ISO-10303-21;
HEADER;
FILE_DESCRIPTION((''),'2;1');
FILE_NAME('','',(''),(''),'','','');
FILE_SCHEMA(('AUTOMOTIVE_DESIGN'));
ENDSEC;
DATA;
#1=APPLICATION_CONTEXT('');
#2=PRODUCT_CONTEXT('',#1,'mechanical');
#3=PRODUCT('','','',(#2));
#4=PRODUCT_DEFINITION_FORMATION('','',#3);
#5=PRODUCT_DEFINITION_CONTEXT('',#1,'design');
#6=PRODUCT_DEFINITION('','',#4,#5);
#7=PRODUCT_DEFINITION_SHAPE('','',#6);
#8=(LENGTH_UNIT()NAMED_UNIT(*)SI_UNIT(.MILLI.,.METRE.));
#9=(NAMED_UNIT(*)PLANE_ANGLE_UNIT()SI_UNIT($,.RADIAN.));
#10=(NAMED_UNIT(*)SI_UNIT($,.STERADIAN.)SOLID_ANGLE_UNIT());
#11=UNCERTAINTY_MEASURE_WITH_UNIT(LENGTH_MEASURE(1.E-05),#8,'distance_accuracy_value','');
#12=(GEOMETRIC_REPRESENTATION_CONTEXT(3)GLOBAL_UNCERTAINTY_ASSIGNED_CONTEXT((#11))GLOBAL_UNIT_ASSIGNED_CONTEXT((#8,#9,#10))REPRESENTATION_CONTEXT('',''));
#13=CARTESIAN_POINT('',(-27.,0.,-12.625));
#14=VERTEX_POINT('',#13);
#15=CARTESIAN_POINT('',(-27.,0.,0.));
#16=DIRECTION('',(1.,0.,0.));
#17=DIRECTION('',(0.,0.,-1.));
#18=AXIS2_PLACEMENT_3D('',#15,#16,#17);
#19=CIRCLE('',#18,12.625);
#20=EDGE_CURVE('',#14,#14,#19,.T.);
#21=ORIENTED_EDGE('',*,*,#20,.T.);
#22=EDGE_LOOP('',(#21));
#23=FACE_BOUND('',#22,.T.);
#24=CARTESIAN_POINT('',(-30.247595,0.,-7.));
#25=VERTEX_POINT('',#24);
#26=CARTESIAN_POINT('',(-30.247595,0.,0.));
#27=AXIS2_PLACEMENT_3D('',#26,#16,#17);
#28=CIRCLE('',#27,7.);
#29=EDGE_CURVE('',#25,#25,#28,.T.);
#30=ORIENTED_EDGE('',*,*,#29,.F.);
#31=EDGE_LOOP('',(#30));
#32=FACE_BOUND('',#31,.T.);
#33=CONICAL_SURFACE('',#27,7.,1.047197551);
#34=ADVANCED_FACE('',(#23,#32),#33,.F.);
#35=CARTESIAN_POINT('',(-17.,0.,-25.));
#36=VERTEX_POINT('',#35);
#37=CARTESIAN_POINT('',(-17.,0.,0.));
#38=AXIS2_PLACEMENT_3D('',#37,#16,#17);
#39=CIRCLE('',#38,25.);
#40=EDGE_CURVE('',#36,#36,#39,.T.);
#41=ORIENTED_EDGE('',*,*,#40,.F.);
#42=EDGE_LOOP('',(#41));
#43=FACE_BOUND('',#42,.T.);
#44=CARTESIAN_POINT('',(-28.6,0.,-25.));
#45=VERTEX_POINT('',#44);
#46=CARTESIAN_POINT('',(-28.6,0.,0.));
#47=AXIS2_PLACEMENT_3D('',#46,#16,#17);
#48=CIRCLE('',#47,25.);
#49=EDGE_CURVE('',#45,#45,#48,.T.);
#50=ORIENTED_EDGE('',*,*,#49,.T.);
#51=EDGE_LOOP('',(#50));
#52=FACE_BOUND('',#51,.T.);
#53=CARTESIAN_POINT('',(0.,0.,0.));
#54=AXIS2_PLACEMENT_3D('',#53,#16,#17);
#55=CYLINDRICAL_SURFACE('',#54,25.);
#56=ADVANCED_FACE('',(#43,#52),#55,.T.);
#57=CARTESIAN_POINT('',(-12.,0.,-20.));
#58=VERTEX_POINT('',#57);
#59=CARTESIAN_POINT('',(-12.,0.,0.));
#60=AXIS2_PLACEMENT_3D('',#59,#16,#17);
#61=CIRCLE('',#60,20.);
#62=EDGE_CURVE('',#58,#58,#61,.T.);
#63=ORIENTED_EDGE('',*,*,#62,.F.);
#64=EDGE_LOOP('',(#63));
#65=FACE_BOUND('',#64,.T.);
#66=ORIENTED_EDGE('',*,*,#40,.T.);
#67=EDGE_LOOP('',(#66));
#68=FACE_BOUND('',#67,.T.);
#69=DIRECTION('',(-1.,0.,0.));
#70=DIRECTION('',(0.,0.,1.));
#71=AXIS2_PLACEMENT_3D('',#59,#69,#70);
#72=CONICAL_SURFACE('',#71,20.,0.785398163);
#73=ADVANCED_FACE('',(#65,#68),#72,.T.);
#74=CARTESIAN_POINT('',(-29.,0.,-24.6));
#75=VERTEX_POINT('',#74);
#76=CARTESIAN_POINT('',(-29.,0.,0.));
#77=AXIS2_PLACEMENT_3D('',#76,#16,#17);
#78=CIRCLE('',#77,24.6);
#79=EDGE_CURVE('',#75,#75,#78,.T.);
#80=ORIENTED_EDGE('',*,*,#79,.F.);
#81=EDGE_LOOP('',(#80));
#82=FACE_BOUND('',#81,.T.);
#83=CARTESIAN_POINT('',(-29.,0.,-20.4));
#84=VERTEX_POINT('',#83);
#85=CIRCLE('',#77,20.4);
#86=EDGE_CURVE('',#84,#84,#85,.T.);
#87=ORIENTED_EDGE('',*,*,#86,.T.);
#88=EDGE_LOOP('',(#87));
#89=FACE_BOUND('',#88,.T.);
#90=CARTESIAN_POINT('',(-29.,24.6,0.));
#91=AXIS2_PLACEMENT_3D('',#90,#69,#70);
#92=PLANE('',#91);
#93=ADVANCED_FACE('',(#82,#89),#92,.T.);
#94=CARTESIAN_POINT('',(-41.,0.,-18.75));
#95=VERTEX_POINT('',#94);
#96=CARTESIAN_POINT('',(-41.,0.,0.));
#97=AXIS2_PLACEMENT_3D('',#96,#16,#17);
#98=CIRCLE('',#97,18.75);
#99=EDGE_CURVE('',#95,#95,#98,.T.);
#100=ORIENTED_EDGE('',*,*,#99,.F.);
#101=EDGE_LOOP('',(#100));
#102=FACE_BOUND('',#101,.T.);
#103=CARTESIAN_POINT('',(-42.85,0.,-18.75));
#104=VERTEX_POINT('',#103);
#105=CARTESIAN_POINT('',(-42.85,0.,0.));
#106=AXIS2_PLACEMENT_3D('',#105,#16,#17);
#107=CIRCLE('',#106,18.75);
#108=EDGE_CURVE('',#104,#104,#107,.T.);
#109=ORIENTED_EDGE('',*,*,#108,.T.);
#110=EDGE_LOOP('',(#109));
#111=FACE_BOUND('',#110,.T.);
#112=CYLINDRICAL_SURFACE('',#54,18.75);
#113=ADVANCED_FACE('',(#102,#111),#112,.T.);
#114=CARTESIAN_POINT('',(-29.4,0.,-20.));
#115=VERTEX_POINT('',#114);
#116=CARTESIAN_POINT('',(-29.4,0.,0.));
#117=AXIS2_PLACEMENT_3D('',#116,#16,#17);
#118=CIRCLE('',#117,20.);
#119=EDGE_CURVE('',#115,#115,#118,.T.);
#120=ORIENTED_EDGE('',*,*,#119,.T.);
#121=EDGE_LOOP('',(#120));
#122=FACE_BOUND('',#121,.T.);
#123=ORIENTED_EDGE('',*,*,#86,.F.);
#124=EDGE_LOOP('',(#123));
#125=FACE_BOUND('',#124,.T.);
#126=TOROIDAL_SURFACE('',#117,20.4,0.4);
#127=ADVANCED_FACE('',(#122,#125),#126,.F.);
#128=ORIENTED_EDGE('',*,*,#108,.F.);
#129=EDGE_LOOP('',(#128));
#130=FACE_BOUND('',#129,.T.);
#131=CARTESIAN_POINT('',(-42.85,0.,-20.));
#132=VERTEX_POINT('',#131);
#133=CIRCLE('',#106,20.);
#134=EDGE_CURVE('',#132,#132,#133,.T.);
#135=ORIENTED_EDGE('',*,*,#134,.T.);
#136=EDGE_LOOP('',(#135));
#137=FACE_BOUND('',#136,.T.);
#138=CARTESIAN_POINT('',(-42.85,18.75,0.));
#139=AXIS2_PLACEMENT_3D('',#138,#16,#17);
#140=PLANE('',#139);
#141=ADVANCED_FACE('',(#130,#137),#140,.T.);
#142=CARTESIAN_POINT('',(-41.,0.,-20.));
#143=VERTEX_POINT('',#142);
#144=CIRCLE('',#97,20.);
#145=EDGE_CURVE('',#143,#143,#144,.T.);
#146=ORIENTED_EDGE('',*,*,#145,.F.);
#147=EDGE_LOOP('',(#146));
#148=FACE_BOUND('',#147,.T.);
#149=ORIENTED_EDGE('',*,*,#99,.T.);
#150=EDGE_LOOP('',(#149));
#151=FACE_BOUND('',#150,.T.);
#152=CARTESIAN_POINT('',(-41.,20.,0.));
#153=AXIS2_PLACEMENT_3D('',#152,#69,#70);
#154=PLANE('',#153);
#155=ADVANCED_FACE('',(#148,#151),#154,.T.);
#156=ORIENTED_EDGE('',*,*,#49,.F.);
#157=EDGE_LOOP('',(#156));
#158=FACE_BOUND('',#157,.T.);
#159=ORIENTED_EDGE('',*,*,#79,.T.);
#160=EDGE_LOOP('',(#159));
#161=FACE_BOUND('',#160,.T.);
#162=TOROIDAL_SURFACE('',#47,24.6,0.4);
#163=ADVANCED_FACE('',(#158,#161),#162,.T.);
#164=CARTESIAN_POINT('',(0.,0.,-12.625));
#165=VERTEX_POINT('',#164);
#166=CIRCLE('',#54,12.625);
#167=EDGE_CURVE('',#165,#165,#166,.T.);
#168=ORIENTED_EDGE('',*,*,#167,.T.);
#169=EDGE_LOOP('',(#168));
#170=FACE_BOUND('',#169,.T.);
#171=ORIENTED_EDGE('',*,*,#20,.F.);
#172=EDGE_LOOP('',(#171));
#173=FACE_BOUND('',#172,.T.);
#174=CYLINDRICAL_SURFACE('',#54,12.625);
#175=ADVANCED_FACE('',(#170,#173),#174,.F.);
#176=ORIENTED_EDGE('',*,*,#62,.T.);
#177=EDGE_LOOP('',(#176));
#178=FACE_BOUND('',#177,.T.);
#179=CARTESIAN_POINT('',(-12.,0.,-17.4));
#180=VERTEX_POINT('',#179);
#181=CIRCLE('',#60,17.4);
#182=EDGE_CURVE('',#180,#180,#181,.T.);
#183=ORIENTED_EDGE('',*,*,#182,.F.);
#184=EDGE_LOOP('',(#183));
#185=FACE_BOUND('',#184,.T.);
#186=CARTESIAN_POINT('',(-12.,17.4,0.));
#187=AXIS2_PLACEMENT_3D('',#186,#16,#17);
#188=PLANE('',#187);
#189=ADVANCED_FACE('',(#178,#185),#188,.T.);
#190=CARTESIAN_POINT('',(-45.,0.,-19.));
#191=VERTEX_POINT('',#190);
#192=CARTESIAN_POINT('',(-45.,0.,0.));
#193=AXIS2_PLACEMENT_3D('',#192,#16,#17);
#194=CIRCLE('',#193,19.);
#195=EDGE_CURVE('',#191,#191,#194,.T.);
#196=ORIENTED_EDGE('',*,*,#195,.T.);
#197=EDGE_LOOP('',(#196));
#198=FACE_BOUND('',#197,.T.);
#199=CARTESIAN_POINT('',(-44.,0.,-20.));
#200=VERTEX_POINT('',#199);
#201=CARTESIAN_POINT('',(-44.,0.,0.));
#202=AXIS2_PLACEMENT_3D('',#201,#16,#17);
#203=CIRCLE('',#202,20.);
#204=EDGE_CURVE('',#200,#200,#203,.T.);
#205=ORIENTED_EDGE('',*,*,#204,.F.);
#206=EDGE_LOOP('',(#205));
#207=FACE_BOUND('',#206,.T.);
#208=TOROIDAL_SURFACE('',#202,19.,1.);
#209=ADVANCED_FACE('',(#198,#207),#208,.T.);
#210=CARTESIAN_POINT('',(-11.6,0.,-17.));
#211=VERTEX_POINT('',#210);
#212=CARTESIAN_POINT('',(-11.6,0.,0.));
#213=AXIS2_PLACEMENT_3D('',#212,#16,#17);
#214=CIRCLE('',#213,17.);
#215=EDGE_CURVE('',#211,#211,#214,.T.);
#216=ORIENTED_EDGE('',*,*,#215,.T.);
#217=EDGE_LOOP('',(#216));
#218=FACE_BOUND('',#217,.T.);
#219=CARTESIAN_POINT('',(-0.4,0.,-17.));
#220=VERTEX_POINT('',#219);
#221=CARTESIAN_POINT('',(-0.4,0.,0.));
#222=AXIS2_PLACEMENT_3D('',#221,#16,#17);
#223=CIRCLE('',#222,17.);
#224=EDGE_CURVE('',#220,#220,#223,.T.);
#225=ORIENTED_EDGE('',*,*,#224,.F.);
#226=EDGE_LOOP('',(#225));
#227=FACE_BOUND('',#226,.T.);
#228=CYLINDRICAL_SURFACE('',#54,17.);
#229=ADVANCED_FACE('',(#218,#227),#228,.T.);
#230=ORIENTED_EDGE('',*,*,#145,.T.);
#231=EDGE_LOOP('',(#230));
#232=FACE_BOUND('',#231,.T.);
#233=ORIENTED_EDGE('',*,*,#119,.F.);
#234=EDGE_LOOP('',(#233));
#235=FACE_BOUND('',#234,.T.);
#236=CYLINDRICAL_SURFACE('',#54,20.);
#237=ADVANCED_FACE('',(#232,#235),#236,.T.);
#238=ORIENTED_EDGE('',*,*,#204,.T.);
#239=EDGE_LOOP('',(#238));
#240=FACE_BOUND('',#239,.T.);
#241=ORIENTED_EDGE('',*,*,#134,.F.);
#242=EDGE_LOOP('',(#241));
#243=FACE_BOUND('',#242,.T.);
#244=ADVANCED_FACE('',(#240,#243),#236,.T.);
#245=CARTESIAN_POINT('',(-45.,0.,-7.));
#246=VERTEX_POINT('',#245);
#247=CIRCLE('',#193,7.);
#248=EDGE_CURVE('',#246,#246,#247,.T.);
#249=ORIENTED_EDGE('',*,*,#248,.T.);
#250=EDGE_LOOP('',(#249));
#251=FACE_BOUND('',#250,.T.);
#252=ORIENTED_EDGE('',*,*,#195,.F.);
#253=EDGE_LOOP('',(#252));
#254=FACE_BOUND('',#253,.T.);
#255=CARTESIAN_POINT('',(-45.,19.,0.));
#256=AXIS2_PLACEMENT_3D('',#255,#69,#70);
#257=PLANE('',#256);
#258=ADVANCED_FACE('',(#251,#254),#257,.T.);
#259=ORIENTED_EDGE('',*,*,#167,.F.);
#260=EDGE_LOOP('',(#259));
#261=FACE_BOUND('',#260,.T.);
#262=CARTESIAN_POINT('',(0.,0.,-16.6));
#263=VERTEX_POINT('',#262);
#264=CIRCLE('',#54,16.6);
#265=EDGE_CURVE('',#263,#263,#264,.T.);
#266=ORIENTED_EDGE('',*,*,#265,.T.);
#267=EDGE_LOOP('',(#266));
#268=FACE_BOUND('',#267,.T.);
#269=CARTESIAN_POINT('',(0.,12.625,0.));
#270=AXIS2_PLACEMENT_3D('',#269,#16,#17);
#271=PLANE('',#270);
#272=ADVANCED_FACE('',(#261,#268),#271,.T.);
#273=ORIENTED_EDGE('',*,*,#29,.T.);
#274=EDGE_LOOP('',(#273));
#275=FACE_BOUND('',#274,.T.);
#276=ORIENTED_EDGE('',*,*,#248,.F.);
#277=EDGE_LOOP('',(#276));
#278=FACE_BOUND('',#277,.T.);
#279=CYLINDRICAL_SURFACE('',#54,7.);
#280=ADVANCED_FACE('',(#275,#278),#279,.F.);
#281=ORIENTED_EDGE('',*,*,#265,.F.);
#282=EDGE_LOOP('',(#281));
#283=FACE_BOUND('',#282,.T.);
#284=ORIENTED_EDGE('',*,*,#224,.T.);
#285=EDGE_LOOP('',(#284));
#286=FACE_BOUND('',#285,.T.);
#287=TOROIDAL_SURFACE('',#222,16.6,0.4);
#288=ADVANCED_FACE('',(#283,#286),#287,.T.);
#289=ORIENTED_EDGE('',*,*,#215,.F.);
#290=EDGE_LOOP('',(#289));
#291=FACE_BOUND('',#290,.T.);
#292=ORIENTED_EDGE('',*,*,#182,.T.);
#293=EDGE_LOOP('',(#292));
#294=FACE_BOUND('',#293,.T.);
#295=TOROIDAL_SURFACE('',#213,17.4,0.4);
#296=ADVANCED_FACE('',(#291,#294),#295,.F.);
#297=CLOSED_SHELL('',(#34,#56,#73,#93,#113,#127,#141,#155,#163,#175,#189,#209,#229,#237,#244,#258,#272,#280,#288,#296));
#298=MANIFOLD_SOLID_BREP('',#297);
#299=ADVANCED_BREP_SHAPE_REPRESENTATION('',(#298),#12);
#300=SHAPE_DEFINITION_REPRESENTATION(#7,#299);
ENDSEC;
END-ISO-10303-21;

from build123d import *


with BuildPart() as part:
    # Sketch1 → Base-Revolve (revolve)
    with BuildSketch(Plane.XY):
        with BuildLine():
            Line((0, 12.625), (0, 16.6))
            ThreePointArc((0, 16.6), (-0.117157288, 16.882842712), (-0.4, 17))
            Line((-0.4, 17), (-11.6, 17))
            ThreePointArc((-11.6, 17), (-11.882842712, 17.117157288), (-12, 17.4))
            Line((-12, 17.4), (-12, 20))
            Line((-12, 20), (-17, 25))
            Line((-17, 25), (-28.6, 25))
            ThreePointArc((-28.6, 25), (-28.882842712, 24.882842712), (-29, 24.6))
            Line((-29, 24.6), (-29, 20.4))
            ThreePointArc((-29, 20.4), (-29.117157288, 20.117157288), (-29.4, 20))
            Line((-29.4, 20), (-41, 20))
            Line((-41, 20), (-41, 18.75))
            Line((-41, 18.75), (-42.85, 18.75))
            Line((-42.85, 18.75), (-42.85, 20))
            Line((-42.85, 20), (-44, 20))
            ThreePointArc((-44, 20), (-44.707106781, 19.707106781), (-45, 19))
            Line((-45, 19), (-45, 7))
            Line((-45, 7), (-30.247595264, 7))
            Line((-30.247595264, 7), (-27, 12.625))
            Line((-27, 12.625), (0, 12.625))
        make_face()
    revolve(axis=Axis((0, 0, 0), (-1, 0, 0)))


solid = part.part
